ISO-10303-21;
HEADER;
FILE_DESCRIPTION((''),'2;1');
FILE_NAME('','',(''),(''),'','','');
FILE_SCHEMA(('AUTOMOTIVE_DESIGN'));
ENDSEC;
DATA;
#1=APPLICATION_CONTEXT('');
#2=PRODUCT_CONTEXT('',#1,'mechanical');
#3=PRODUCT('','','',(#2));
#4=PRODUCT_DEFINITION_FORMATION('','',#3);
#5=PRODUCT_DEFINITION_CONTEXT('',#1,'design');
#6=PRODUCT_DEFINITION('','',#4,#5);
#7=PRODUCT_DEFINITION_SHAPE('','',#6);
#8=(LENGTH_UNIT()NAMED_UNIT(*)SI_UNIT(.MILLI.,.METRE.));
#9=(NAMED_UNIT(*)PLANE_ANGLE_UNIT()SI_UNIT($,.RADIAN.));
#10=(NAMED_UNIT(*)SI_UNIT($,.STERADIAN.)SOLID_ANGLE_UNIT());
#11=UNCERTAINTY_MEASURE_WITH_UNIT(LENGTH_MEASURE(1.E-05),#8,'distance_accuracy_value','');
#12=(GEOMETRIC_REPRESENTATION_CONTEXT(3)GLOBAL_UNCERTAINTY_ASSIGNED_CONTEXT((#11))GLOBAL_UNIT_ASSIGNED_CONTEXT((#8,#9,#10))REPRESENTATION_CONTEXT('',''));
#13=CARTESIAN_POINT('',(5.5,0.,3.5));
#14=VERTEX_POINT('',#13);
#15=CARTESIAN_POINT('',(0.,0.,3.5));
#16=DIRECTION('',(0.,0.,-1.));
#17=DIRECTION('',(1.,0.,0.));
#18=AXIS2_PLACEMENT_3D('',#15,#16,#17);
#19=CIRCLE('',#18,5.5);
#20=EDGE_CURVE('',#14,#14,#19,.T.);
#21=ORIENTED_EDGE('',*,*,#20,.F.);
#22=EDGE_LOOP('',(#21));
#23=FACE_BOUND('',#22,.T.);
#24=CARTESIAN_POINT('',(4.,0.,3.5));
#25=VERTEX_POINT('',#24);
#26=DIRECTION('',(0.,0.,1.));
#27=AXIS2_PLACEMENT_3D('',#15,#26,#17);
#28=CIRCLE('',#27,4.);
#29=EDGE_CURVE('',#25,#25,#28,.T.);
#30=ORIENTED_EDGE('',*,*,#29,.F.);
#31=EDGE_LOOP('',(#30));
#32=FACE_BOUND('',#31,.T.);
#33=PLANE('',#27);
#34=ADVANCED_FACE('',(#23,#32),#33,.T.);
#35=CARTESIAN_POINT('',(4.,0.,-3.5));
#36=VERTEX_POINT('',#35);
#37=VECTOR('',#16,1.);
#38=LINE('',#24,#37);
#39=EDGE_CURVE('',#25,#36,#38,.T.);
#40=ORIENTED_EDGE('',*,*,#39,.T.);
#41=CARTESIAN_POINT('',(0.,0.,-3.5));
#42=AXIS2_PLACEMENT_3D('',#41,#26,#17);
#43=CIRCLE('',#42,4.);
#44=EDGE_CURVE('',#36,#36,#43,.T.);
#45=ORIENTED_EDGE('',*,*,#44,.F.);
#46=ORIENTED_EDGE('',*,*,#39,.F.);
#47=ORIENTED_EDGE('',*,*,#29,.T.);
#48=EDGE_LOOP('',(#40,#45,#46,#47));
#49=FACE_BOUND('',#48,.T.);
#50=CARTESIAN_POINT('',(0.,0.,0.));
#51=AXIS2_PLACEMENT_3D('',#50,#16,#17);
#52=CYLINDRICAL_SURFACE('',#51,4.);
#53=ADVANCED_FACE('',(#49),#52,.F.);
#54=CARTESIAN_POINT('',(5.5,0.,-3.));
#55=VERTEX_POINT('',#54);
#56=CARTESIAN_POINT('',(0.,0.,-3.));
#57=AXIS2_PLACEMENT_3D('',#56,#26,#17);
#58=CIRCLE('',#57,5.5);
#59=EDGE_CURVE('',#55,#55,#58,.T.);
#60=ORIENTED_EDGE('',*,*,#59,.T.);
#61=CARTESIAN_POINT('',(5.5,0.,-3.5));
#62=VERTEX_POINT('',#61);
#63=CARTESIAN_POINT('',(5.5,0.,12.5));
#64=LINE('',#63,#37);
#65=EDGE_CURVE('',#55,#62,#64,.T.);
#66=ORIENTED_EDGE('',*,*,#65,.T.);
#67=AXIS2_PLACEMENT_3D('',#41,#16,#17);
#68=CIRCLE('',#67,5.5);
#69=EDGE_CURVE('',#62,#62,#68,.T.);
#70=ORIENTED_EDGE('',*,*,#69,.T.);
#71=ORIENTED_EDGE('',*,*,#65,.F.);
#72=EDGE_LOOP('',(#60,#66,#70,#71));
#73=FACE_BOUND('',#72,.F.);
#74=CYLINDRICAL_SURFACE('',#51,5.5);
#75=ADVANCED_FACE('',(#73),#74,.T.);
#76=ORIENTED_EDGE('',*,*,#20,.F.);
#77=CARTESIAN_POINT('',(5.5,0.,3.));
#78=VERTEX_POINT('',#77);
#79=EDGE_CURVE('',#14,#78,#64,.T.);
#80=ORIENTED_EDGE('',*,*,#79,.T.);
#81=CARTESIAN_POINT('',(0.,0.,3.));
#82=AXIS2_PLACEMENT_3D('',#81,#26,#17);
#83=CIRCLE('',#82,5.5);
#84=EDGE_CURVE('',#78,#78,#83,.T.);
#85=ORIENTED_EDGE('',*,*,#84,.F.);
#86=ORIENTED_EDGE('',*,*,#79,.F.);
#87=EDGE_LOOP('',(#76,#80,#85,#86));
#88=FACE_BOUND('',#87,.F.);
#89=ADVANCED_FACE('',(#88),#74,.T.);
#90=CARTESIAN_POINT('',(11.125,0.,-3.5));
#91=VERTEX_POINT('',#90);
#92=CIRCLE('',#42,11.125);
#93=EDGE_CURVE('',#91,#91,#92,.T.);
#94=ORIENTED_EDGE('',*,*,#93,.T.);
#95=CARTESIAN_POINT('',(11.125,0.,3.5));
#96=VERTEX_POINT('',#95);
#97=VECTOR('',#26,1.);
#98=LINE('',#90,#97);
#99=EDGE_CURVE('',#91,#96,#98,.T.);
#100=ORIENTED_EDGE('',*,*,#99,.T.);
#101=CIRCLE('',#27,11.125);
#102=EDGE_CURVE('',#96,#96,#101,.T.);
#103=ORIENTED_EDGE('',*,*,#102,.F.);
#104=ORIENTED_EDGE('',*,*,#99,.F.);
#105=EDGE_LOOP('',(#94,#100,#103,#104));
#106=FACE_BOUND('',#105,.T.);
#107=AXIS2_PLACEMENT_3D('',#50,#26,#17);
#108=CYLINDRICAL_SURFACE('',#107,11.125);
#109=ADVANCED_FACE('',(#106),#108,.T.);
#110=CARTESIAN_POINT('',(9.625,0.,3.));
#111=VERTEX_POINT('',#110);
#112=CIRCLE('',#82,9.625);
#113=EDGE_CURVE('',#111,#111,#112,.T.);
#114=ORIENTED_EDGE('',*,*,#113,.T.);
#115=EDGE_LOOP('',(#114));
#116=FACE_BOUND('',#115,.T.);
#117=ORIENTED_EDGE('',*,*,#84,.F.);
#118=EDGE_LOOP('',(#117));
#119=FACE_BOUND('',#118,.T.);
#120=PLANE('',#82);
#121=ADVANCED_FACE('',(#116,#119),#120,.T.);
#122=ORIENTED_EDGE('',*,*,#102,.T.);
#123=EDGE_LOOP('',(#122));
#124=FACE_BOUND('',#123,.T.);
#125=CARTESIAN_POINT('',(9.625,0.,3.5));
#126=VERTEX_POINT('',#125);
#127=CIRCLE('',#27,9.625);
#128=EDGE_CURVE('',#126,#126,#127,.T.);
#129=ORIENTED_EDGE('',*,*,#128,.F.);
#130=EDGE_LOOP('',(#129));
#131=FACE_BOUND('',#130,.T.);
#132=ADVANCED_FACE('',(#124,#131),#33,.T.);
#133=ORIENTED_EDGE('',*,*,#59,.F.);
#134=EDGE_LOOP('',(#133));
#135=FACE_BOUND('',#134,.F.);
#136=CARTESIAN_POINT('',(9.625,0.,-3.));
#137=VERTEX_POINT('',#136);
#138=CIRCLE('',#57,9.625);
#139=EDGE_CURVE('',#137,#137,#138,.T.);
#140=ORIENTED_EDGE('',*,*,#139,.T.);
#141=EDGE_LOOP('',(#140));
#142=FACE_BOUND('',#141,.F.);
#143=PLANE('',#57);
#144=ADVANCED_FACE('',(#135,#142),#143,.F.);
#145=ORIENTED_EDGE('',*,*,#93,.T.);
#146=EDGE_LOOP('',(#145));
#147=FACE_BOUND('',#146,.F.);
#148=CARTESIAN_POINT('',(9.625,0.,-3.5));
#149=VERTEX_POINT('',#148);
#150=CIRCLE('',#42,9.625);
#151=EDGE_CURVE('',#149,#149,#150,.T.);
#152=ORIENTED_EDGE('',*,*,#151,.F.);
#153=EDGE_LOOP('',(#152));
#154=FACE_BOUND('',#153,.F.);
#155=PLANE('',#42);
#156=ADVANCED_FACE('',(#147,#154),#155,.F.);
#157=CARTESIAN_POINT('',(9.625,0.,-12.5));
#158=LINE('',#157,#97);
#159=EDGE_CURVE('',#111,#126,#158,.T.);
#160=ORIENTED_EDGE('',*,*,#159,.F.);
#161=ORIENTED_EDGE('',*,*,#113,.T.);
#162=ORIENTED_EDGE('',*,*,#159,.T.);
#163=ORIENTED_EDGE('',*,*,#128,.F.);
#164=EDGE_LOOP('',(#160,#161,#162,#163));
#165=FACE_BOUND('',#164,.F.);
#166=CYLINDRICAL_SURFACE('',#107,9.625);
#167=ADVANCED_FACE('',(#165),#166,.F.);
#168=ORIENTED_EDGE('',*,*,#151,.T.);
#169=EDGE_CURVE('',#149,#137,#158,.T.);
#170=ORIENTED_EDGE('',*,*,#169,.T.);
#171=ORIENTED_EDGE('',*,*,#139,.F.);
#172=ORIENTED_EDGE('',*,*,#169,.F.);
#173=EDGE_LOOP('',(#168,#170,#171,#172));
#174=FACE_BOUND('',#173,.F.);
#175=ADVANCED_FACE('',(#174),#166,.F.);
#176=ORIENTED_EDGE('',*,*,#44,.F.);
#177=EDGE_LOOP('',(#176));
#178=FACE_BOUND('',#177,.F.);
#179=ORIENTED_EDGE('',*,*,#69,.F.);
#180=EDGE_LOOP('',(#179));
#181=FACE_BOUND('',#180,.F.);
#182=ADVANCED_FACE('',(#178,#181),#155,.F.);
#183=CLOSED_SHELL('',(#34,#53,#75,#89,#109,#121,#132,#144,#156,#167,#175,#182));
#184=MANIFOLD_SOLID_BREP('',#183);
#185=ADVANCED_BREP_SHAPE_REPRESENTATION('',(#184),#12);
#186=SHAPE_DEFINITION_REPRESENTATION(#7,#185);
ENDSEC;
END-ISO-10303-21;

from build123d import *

# Parameters (mm, degrees)
F0_R     = 11.125
F0_R_2   = 4
F1_DEPTH = 3.5
F2_R     = 9.625
F2_R_2   = 5.5
F3_DEPTH = 12.5
F4_DEPTH = 3


with BuildPart() as f1:
    # F0 (on Top) → F1 (new body, symmetric)
    with BuildSketch(Plane.XY):
        Circle(F0_R)
        Circle(F0_R_2, mode=Mode.SUBTRACT)
    extrude(amount=F1_DEPTH, both=True)

    # F2 (on Top) → F3 (cut, symmetric)
    with BuildSketch(Plane.XY):
        Circle(F2_R)
        Circle(F2_R_2, mode=Mode.SUBTRACT)
    extrude(amount=F3_DEPTH, both=True, mode=Mode.SUBTRACT)

    # F2 (on Top) → F4 (join, symmetric)
    with BuildSketch(Plane.XY):
        Circle(F2_R)
        Circle(F2_R_2, mode=Mode.SUBTRACT)
    extrude(amount=F4_DEPTH, both=True)


solid = f1.part
